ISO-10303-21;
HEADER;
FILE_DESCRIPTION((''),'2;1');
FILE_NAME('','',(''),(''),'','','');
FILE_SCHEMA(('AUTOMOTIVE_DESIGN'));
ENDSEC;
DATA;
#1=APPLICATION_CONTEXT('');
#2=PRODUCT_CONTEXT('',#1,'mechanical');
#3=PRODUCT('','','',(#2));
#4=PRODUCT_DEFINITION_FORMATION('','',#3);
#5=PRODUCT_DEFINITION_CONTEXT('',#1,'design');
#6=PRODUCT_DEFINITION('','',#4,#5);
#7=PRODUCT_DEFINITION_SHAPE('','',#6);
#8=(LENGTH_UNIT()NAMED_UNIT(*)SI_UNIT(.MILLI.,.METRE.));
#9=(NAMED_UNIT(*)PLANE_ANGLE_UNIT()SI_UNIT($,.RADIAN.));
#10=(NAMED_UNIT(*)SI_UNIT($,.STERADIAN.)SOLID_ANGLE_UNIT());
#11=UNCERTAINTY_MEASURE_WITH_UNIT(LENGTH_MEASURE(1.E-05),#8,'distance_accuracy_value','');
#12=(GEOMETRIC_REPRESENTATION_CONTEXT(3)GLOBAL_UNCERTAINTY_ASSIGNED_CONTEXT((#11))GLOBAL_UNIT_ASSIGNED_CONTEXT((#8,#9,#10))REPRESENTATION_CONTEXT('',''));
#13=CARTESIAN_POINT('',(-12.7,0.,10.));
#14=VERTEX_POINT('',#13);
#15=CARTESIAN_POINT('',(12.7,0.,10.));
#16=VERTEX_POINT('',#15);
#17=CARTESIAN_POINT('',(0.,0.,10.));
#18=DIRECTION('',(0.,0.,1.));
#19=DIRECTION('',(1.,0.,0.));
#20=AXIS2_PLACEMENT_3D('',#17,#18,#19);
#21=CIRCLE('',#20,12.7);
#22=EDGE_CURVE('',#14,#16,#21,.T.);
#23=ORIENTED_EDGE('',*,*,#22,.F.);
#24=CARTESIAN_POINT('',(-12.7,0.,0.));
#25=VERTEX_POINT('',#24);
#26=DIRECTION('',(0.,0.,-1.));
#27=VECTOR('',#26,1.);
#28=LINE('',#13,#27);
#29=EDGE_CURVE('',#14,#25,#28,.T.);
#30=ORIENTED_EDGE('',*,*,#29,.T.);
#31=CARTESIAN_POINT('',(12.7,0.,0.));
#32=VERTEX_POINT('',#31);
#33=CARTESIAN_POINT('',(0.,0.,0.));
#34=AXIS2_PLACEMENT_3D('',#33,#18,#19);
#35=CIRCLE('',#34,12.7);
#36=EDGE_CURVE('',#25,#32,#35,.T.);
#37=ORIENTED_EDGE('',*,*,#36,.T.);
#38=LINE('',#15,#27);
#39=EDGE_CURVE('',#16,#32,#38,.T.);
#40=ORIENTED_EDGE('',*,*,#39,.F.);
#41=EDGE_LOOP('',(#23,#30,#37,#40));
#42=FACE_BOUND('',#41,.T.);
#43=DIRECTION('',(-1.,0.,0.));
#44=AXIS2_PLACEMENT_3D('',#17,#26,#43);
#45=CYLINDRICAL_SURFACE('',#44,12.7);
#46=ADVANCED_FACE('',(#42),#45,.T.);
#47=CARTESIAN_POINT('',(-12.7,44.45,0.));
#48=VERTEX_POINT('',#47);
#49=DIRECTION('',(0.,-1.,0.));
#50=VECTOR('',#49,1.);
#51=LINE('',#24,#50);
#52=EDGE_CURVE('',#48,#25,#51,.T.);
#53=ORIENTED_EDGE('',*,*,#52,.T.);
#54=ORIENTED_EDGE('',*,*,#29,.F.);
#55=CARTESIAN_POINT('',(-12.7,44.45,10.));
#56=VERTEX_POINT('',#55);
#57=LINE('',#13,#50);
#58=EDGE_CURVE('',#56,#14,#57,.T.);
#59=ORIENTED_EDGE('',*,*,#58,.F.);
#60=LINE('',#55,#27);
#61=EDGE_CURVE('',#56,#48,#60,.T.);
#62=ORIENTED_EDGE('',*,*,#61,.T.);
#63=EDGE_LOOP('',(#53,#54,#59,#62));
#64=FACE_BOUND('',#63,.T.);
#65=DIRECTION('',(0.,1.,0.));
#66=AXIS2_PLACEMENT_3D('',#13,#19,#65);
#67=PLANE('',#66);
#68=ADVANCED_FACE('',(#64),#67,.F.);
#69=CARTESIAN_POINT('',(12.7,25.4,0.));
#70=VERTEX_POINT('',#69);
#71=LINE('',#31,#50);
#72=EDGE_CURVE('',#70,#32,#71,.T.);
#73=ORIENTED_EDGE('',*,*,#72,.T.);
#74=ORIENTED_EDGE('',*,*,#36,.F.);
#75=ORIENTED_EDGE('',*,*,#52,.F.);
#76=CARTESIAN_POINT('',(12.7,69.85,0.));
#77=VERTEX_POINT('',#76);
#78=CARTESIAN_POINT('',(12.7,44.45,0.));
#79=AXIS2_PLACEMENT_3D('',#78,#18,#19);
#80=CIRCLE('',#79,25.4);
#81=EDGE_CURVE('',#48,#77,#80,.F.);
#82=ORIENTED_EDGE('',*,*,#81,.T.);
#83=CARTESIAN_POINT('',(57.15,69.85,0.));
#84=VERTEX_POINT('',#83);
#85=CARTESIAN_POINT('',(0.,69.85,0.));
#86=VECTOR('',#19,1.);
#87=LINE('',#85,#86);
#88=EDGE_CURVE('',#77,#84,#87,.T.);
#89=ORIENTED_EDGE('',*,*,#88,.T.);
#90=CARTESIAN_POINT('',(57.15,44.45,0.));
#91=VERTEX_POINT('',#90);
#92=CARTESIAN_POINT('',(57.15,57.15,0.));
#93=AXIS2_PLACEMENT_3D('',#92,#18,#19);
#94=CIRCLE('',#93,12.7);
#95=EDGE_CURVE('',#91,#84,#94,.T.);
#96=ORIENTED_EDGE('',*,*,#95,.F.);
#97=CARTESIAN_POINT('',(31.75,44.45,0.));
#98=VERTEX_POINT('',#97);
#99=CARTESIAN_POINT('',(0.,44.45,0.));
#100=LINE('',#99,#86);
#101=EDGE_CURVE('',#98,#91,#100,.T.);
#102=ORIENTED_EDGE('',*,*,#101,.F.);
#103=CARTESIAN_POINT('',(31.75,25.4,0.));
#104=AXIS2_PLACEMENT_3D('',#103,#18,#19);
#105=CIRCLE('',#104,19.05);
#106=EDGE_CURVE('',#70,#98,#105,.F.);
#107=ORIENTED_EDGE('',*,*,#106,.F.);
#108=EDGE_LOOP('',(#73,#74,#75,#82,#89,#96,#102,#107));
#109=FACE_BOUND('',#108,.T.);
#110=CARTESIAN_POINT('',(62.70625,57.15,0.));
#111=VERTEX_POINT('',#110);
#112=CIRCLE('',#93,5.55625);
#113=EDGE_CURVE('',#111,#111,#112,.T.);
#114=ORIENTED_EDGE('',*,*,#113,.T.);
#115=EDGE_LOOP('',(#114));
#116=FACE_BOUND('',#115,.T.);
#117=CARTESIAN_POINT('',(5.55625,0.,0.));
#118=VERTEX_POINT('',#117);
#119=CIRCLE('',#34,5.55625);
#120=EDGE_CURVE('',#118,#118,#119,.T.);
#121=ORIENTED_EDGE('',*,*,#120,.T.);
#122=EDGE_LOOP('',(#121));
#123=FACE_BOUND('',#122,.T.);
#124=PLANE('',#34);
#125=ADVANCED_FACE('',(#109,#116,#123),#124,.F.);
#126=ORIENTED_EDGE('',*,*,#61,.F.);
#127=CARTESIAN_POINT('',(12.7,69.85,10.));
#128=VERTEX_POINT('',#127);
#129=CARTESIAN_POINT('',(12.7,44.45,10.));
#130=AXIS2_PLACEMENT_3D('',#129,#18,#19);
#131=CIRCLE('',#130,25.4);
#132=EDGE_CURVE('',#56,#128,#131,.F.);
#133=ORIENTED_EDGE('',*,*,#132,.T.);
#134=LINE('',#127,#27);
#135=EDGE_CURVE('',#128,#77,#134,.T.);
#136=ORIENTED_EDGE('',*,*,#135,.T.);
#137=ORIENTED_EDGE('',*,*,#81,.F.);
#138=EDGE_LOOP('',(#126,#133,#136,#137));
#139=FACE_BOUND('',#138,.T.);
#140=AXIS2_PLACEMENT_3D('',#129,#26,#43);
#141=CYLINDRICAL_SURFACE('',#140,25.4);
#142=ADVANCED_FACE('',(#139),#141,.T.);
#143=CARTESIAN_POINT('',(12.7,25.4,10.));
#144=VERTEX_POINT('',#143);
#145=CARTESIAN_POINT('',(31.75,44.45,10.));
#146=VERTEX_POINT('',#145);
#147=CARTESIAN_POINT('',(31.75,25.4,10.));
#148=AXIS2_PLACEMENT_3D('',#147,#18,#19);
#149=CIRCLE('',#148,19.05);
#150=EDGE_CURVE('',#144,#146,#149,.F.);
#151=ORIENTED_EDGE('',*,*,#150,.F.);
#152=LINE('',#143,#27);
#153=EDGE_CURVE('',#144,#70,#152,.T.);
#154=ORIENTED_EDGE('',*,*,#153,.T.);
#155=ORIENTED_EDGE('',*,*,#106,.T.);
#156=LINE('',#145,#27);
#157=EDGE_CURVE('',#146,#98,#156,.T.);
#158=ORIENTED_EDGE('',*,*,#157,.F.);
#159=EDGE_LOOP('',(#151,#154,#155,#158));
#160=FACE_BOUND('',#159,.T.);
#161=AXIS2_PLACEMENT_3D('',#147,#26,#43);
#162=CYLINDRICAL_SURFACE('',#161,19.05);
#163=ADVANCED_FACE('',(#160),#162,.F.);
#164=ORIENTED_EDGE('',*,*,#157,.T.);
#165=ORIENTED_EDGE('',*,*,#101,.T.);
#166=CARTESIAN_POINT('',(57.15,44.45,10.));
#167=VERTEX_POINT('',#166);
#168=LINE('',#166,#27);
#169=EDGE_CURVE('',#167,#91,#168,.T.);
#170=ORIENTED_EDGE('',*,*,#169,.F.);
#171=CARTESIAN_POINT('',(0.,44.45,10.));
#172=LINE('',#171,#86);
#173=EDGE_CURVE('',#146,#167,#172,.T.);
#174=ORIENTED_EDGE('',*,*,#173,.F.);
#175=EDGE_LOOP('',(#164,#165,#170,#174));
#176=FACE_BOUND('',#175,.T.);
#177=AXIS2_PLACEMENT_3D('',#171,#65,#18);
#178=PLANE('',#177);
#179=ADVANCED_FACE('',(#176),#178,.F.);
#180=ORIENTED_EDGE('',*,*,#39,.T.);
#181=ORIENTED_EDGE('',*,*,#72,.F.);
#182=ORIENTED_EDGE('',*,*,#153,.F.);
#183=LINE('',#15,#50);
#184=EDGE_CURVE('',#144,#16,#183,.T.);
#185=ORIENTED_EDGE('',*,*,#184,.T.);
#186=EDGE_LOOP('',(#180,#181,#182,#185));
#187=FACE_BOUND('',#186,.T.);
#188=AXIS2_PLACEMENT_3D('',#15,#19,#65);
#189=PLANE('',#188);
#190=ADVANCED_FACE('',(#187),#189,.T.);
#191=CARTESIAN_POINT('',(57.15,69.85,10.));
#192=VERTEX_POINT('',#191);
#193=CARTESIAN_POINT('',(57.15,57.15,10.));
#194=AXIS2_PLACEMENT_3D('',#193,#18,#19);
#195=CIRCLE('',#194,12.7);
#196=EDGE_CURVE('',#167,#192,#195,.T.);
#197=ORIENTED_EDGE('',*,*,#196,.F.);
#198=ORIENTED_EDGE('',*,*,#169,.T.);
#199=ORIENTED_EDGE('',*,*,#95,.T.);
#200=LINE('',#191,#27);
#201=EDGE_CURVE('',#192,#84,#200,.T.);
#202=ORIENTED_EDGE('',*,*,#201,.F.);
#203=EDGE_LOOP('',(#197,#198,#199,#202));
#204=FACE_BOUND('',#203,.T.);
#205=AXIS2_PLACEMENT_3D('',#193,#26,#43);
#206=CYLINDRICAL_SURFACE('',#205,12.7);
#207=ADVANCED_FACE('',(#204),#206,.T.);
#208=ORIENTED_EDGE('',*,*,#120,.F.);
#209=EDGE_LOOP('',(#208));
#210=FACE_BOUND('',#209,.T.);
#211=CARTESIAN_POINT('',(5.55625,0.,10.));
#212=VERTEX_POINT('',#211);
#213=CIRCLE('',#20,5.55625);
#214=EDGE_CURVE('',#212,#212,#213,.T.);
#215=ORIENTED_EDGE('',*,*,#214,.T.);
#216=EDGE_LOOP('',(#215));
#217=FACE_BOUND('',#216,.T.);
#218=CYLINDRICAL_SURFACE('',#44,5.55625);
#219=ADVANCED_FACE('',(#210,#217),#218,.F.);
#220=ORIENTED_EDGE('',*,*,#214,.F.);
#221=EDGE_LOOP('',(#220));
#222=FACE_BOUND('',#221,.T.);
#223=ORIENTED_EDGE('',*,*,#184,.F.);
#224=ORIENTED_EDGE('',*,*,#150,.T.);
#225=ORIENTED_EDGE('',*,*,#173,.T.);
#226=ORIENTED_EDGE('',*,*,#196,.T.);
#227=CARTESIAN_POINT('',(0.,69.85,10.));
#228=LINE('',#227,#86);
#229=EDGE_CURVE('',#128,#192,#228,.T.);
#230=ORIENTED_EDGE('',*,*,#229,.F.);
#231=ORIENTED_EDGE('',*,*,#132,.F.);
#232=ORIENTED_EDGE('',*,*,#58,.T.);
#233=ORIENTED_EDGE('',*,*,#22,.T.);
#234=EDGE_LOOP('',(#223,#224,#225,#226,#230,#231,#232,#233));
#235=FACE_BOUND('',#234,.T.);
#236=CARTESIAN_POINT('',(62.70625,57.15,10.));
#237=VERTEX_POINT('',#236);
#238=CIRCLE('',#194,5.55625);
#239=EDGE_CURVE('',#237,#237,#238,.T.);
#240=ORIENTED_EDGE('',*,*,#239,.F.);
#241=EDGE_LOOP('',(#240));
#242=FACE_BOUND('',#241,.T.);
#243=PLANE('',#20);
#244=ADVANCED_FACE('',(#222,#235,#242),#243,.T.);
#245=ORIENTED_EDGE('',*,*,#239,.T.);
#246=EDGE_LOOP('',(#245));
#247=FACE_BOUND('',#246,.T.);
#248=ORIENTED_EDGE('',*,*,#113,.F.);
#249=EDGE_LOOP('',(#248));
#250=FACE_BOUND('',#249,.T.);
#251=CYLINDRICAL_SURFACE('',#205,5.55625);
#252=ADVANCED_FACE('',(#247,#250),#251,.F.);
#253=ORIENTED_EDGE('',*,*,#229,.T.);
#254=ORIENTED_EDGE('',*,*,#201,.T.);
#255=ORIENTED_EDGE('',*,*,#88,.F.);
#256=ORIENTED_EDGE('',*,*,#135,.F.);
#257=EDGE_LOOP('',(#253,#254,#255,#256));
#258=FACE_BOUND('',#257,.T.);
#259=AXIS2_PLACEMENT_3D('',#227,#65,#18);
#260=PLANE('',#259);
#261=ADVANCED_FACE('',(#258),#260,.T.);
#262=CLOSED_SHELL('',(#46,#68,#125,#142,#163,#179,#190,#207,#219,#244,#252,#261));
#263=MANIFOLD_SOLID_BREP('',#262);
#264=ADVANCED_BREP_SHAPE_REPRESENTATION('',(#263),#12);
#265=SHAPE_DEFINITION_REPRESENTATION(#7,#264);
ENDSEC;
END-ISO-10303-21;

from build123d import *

# Parameters (mm, degrees)
SKETCH1_R           = 5.55625
BOSS_EXTRUDE1_DEPTH = 10


with BuildPart() as part:
    # Sketch1 → Boss-Extrude1 (new body)
    with BuildSketch(Plane.XY):
        with BuildLine():
            ThreePointArc((-12.7, 44.45), (-5.260512242, 62.410512242), (12.7, 69.85))
            Line((12.7, 69.85), (57.15, 69.85))
            ThreePointArc((57.15, 69.85), (69.85, 57.15), (57.15, 44.45))
            Line((57.15, 44.45), (31.75, 44.45))
            ThreePointArc((31.75, 44.45), (18.279615818, 38.870384182), (12.7, 25.4))
            Line((12.7, 25.4), (12.7, 0))
            ThreePointArc((12.7, 0), (0, -12.7), (-12.7, 0))
            Line((-12.7, 0), (-12.7, 44.45))
        make_face()
        with Locations((57.15, 57.15)):
            Circle(SKETCH1_R, mode=Mode.SUBTRACT)
        Circle(SKETCH1_R, mode=Mode.SUBTRACT)
    extrude(amount=BOSS_EXTRUDE1_DEPTH)


solid = part.part
